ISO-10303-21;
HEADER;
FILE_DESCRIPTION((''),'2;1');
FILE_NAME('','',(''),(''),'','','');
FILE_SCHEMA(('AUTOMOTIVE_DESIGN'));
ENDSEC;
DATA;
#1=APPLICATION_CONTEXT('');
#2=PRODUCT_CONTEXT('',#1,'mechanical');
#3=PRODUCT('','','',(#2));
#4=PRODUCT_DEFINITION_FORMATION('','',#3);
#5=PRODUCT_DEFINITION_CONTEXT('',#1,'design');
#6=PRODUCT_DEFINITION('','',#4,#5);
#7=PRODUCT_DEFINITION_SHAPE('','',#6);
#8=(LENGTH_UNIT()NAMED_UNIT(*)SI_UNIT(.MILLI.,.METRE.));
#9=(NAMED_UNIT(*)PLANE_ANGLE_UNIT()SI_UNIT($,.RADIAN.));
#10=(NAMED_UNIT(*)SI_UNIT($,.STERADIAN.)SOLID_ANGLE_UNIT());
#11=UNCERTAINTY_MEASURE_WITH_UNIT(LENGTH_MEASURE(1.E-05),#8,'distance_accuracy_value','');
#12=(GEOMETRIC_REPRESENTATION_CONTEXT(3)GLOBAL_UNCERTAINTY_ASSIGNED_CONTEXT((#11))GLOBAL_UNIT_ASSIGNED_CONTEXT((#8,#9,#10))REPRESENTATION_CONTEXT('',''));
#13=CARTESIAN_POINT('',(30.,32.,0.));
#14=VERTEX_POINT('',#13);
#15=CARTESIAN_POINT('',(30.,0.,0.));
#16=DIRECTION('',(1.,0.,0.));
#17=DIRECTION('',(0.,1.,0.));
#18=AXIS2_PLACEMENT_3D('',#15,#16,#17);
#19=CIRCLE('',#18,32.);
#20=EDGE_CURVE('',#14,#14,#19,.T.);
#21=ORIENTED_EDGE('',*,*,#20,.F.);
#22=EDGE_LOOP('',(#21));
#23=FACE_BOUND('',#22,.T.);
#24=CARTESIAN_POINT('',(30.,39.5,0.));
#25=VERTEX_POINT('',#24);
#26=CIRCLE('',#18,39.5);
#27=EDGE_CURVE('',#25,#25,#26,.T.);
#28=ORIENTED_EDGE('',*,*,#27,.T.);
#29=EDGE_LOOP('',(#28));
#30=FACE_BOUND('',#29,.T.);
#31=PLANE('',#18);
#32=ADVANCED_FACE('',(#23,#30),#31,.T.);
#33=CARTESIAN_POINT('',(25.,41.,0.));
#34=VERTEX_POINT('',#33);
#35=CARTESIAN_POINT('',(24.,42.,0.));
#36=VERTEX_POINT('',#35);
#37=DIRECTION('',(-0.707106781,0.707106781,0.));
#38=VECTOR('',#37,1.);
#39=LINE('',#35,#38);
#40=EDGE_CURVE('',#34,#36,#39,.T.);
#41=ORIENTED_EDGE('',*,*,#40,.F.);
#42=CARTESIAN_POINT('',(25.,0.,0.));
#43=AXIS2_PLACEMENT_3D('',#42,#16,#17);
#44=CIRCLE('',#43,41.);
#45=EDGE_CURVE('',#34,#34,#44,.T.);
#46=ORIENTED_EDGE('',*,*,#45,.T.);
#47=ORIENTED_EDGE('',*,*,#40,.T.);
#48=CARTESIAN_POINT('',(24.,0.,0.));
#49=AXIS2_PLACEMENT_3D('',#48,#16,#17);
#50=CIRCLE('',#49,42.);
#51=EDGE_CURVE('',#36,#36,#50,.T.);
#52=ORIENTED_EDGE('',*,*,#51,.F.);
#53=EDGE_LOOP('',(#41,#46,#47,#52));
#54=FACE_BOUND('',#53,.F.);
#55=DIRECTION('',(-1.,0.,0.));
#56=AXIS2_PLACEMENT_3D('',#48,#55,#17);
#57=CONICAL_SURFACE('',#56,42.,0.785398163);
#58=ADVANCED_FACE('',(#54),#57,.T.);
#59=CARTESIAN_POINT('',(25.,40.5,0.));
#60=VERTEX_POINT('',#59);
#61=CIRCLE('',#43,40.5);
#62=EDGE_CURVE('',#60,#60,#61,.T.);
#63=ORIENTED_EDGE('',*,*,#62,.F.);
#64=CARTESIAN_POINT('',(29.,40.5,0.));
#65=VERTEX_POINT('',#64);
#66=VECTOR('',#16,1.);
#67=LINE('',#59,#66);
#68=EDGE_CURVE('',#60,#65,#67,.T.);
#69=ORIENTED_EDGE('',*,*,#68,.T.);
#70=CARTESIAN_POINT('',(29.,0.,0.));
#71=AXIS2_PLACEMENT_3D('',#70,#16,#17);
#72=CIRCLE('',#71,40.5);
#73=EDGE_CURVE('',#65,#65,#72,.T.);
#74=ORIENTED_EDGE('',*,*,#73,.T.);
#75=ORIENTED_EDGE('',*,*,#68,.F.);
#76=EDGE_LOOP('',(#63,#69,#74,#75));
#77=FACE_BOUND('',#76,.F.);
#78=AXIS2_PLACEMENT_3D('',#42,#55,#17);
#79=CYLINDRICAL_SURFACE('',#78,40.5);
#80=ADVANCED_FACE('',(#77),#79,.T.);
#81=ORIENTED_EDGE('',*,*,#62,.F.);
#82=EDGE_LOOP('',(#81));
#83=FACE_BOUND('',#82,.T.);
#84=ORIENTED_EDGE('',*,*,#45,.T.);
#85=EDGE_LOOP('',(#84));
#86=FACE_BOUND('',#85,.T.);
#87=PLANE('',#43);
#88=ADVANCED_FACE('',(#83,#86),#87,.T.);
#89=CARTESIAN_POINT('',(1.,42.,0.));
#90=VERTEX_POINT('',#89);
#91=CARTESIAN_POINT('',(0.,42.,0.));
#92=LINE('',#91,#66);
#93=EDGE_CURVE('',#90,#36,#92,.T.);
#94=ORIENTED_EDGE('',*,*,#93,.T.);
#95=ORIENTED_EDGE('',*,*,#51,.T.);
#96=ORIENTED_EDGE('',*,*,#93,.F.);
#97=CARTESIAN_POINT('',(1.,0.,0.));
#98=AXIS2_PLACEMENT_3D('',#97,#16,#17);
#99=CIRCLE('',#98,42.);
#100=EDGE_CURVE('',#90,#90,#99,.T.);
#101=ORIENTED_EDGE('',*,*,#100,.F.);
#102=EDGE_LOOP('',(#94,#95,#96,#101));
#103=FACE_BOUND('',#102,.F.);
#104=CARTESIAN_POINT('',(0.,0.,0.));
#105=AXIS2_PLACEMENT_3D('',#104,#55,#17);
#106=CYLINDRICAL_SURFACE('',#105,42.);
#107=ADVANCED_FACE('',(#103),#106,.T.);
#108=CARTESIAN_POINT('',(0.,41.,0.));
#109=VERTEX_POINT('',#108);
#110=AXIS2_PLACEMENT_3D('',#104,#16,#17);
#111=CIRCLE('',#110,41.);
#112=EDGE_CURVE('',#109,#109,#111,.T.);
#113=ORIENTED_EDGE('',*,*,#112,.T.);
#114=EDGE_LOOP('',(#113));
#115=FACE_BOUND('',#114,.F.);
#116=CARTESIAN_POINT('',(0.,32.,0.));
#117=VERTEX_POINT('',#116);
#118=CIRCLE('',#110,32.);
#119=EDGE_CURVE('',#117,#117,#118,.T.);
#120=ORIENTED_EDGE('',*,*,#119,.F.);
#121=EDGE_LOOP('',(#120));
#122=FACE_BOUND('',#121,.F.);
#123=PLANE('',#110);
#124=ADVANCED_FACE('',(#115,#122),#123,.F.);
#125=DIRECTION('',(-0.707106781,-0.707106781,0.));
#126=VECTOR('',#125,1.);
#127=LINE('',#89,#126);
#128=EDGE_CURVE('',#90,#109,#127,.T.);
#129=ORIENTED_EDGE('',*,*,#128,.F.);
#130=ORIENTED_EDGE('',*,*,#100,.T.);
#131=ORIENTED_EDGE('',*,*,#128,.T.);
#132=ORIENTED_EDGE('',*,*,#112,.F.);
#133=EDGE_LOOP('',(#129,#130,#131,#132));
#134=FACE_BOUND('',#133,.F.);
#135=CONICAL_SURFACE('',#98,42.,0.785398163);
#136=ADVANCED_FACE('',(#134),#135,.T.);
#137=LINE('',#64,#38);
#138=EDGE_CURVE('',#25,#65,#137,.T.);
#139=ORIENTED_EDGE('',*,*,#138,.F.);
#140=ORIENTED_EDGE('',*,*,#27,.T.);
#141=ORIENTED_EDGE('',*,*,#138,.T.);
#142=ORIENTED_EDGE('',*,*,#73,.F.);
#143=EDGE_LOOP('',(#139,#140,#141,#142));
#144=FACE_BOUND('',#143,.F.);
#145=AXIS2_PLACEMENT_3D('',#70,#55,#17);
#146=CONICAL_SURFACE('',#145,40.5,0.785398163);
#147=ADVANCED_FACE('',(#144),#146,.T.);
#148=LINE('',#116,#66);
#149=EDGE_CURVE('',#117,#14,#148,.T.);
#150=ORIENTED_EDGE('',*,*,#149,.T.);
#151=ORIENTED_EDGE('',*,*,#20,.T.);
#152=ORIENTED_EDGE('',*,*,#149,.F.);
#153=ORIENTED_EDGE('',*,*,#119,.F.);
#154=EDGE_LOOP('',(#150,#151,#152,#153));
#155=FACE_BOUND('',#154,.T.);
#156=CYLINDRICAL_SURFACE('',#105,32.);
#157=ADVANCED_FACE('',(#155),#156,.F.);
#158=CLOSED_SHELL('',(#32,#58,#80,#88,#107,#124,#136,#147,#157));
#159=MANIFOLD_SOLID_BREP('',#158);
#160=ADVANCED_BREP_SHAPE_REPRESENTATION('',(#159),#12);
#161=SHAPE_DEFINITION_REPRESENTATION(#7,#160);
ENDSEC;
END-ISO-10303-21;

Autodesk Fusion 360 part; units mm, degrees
sketch "Sketch1" plane through (0, 0, 0) normal (1, 0, 0) x (0, 1, 0)
  circle A0 centre (0, 0) radius 42
  circle A1 centre (0, 0) radius 32
  dimension "d1" = 84
  dimension "d2" = 64
extrude "Extrude1" add sketch "Sketch1" along normal blind 25
sketch "Sketch2" plane through (25, 0, 0) normal (1, 0, 0) x (0, 1, 0)
  circle A0 centre (0, 0) radius 32
  circle A1 centre (0, 0) radius 42
  circle A2 centre (0, 0) radius 32
  circle A3 centre (0, 0) radius 40.5
  dimension "d5" = 8.5
extrude "Extrude2" add sketch "Sketch2" along normal blind 5 contours A3
chamfer "Chamfer1" distance 1 angle 45 3 edges at (0, -39.1577, -15.1878) (25, -39.1577, -15.1878) (30, -37.7593, -14.6454) measured on face at (8.3333, 41.7913, -4.1818) measured on face at (25, 11.2341, 39.8428) measured on face at (30, 37.3967, -3.6019)
